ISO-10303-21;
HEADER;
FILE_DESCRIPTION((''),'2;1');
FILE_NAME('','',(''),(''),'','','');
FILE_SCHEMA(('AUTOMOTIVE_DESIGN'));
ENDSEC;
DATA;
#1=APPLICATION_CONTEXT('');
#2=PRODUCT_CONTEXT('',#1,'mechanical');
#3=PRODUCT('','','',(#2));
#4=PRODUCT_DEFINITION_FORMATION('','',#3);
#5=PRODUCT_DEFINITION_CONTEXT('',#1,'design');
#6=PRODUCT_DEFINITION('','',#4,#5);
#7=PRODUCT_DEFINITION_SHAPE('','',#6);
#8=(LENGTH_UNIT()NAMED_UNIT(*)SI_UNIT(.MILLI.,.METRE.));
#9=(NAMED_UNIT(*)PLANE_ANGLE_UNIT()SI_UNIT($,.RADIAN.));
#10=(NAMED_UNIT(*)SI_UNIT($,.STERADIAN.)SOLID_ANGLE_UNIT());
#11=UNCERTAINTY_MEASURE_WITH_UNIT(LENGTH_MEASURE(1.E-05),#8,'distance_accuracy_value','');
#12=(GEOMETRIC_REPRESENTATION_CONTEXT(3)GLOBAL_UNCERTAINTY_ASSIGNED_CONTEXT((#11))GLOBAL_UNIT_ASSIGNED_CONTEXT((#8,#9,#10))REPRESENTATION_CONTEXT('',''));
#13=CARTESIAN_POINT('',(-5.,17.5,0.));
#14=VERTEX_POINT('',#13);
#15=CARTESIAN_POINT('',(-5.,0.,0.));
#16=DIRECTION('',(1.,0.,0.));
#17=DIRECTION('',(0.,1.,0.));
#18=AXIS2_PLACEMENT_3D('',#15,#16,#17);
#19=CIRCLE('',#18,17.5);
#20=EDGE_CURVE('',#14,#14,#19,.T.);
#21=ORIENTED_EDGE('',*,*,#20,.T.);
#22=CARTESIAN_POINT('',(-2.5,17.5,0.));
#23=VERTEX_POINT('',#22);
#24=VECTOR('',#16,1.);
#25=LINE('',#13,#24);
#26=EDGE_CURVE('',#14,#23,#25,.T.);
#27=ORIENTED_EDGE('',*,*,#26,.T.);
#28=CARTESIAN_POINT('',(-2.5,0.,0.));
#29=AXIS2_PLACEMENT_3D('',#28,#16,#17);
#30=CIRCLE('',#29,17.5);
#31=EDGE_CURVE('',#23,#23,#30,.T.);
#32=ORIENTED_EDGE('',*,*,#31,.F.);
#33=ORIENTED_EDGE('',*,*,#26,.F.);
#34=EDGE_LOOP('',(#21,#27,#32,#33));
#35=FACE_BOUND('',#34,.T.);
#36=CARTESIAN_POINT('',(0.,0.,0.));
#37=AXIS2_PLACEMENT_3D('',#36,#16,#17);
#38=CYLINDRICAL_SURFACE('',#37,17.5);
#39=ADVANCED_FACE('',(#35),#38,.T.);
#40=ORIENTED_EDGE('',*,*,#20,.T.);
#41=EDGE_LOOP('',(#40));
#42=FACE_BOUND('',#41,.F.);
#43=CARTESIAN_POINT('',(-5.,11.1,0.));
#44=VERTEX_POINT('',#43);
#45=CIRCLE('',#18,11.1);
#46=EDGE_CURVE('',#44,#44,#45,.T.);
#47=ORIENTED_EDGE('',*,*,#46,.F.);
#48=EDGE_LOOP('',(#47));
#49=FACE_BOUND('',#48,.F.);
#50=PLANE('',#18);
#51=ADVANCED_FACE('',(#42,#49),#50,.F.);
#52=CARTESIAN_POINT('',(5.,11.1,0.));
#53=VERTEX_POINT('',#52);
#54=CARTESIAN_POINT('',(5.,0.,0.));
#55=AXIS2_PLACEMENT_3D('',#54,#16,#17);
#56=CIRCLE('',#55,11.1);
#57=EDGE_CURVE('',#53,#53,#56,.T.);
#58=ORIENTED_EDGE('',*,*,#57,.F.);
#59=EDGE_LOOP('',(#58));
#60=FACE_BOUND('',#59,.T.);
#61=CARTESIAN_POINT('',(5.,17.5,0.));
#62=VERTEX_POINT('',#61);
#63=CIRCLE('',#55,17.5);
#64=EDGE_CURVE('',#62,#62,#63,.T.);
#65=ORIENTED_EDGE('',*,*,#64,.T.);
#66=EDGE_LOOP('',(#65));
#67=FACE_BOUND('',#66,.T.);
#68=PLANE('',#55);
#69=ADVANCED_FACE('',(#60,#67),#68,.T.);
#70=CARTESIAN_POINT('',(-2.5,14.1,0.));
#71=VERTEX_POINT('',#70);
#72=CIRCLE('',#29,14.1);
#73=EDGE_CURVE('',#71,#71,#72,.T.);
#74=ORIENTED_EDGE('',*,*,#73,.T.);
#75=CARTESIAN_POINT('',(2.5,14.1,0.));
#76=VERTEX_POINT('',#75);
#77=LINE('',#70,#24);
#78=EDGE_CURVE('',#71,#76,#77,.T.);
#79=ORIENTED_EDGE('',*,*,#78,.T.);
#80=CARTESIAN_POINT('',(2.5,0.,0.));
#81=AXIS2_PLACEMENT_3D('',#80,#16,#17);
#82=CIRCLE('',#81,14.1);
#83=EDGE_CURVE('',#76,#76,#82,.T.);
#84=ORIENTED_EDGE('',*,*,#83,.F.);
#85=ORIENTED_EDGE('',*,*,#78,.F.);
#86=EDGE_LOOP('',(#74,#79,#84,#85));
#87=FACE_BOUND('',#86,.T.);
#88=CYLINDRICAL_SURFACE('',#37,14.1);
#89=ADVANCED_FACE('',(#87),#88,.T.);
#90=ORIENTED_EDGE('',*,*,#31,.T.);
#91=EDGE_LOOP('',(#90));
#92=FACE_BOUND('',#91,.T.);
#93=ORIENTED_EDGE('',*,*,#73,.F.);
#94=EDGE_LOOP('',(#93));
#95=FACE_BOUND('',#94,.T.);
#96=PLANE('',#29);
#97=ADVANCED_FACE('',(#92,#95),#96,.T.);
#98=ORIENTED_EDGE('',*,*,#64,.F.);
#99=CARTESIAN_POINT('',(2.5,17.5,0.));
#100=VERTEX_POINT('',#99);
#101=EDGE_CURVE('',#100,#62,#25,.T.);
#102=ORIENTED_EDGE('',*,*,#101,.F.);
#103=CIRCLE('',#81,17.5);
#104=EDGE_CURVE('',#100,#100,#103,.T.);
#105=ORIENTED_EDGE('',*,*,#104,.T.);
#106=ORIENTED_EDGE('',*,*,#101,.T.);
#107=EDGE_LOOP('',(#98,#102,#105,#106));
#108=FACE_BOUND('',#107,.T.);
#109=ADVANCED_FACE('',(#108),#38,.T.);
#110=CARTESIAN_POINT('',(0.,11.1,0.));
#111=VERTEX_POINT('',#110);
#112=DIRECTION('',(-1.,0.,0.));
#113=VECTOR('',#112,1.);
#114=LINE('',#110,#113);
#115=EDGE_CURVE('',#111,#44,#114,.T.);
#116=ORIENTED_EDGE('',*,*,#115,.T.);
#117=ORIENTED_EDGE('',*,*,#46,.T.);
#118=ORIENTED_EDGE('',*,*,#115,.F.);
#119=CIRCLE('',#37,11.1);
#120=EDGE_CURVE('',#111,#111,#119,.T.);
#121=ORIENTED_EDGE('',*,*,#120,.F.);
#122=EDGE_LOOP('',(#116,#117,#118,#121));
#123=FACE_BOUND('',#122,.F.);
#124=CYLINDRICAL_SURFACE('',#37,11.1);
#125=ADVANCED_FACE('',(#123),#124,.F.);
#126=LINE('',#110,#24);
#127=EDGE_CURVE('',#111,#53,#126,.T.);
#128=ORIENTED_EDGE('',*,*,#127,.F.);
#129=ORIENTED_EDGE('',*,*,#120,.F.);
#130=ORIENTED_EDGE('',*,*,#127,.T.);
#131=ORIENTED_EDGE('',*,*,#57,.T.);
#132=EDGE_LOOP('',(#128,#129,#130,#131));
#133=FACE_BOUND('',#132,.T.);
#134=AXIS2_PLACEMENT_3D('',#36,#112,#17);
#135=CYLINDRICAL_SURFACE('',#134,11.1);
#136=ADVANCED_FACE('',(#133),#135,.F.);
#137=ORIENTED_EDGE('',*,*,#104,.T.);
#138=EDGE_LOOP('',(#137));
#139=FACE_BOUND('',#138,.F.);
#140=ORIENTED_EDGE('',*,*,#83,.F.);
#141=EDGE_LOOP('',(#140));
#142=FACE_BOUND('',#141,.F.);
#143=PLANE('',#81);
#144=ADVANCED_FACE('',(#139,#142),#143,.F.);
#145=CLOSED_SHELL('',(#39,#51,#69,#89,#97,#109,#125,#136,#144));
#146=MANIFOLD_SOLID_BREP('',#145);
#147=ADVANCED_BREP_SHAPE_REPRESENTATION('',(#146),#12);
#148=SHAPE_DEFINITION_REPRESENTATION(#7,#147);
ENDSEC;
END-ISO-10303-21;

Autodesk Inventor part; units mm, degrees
ref_plane "YZ Plane" through (0, 0, 0) normal (1, 0, 0) x (0, 1, 0)
ref_plane "XZ Plane" through (0, 0, 0) normal (0, 1, 0) x (-1, 0, 0)
ref_plane "XY Plane" through (0, 0, 0) normal (0, 0, 1) x (1, 0, 0)
sketch "Эскиз1" plane through (0, 0, 0) normal (1, 0, 0) x (0, 1, 0)
  circle A0 centre (0, 0) radius 11.1
  circle A1 centre (0, 0) radius 17.5
  circle A2 centre (0, 0) radius 14.1
  dimension "d0" = 22.2
  dimension "d1" = 35
  dimension "d2" = 3
  dimension "d3" = 3.4
extrude "Выдавливание1" add sketch "Эскиз1" along normal mid plane 10 contours A1 | A2
extrude "Выдавливание2" cut sketch "Эскиз1" along normal mid plane 5 contours A1
properties part number "держатель  бабины"
